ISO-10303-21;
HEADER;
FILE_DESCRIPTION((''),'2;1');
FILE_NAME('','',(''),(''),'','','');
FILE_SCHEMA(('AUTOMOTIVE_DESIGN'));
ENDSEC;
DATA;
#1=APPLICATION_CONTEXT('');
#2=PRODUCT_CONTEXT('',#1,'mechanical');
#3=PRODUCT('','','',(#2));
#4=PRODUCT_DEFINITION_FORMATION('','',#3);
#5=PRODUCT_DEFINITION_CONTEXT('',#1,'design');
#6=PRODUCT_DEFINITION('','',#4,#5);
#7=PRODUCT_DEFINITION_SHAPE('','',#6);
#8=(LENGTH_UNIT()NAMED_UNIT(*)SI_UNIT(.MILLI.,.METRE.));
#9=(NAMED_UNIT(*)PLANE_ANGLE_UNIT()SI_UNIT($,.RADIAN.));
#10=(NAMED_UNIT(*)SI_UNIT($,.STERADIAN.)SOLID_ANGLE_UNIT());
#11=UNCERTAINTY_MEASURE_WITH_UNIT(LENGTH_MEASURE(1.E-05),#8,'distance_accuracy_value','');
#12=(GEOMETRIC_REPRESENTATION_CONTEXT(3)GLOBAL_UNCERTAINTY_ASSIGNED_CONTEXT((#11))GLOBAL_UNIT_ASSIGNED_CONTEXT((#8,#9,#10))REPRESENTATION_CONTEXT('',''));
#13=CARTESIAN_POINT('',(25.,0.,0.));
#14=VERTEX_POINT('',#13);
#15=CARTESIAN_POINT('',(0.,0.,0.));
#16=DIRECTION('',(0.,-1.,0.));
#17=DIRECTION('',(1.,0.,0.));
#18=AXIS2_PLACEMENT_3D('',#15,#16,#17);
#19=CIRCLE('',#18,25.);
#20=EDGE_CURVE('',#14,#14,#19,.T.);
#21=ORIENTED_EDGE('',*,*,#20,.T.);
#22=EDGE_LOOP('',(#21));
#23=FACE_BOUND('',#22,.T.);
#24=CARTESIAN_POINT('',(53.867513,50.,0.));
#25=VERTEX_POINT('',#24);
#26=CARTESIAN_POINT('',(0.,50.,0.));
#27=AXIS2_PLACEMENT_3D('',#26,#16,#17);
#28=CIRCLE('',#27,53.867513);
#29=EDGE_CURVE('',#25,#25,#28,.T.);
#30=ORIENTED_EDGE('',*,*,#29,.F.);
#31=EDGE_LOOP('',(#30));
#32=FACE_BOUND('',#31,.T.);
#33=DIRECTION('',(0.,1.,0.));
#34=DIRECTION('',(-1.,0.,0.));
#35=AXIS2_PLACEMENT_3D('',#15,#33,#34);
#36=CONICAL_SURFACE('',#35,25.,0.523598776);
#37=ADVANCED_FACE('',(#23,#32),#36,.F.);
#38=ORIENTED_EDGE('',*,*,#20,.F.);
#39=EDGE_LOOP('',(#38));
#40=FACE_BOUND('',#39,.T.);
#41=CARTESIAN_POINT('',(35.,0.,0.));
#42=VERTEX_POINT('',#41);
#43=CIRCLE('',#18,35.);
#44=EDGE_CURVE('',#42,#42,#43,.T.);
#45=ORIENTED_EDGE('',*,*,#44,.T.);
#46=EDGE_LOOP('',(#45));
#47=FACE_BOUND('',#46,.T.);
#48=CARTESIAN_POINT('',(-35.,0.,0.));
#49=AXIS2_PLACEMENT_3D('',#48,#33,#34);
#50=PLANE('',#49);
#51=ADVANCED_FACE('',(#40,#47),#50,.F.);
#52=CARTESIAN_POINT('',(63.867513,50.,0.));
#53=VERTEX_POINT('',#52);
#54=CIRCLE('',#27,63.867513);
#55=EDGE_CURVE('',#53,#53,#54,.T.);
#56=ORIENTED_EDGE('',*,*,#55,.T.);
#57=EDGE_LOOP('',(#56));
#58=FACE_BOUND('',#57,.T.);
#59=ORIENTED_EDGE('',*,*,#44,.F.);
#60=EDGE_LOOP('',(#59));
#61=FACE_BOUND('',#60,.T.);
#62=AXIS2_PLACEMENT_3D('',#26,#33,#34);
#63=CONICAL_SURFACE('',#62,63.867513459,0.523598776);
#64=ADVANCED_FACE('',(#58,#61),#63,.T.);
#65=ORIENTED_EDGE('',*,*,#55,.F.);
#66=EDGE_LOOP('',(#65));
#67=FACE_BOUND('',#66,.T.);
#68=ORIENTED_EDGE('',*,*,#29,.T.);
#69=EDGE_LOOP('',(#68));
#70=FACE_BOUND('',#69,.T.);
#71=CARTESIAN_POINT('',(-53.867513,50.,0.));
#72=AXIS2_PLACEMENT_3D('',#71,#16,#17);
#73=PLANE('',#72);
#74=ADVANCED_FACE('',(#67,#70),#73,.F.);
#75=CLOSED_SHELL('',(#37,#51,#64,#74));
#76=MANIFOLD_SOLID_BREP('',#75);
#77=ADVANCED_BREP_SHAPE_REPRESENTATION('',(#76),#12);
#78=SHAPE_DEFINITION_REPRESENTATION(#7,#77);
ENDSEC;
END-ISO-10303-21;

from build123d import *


with BuildPart() as part:
    # Sketch1 → Revolve1 (revolve)
    with BuildSketch(Plane.XY, mode=Mode.PRIVATE) as revolve1_sk:
        Polygon((-25, 0), (-53.867513459, 50), (-63.867513459, 50), (-35, 0), align=None)
    revolve(revolve1_sk.sketch.rotate(Axis((0, 0, 0), (0, 1, 0)), 180), axis=Axis((0, 0, 0), (0, 1, 0)))


solid = part.part
